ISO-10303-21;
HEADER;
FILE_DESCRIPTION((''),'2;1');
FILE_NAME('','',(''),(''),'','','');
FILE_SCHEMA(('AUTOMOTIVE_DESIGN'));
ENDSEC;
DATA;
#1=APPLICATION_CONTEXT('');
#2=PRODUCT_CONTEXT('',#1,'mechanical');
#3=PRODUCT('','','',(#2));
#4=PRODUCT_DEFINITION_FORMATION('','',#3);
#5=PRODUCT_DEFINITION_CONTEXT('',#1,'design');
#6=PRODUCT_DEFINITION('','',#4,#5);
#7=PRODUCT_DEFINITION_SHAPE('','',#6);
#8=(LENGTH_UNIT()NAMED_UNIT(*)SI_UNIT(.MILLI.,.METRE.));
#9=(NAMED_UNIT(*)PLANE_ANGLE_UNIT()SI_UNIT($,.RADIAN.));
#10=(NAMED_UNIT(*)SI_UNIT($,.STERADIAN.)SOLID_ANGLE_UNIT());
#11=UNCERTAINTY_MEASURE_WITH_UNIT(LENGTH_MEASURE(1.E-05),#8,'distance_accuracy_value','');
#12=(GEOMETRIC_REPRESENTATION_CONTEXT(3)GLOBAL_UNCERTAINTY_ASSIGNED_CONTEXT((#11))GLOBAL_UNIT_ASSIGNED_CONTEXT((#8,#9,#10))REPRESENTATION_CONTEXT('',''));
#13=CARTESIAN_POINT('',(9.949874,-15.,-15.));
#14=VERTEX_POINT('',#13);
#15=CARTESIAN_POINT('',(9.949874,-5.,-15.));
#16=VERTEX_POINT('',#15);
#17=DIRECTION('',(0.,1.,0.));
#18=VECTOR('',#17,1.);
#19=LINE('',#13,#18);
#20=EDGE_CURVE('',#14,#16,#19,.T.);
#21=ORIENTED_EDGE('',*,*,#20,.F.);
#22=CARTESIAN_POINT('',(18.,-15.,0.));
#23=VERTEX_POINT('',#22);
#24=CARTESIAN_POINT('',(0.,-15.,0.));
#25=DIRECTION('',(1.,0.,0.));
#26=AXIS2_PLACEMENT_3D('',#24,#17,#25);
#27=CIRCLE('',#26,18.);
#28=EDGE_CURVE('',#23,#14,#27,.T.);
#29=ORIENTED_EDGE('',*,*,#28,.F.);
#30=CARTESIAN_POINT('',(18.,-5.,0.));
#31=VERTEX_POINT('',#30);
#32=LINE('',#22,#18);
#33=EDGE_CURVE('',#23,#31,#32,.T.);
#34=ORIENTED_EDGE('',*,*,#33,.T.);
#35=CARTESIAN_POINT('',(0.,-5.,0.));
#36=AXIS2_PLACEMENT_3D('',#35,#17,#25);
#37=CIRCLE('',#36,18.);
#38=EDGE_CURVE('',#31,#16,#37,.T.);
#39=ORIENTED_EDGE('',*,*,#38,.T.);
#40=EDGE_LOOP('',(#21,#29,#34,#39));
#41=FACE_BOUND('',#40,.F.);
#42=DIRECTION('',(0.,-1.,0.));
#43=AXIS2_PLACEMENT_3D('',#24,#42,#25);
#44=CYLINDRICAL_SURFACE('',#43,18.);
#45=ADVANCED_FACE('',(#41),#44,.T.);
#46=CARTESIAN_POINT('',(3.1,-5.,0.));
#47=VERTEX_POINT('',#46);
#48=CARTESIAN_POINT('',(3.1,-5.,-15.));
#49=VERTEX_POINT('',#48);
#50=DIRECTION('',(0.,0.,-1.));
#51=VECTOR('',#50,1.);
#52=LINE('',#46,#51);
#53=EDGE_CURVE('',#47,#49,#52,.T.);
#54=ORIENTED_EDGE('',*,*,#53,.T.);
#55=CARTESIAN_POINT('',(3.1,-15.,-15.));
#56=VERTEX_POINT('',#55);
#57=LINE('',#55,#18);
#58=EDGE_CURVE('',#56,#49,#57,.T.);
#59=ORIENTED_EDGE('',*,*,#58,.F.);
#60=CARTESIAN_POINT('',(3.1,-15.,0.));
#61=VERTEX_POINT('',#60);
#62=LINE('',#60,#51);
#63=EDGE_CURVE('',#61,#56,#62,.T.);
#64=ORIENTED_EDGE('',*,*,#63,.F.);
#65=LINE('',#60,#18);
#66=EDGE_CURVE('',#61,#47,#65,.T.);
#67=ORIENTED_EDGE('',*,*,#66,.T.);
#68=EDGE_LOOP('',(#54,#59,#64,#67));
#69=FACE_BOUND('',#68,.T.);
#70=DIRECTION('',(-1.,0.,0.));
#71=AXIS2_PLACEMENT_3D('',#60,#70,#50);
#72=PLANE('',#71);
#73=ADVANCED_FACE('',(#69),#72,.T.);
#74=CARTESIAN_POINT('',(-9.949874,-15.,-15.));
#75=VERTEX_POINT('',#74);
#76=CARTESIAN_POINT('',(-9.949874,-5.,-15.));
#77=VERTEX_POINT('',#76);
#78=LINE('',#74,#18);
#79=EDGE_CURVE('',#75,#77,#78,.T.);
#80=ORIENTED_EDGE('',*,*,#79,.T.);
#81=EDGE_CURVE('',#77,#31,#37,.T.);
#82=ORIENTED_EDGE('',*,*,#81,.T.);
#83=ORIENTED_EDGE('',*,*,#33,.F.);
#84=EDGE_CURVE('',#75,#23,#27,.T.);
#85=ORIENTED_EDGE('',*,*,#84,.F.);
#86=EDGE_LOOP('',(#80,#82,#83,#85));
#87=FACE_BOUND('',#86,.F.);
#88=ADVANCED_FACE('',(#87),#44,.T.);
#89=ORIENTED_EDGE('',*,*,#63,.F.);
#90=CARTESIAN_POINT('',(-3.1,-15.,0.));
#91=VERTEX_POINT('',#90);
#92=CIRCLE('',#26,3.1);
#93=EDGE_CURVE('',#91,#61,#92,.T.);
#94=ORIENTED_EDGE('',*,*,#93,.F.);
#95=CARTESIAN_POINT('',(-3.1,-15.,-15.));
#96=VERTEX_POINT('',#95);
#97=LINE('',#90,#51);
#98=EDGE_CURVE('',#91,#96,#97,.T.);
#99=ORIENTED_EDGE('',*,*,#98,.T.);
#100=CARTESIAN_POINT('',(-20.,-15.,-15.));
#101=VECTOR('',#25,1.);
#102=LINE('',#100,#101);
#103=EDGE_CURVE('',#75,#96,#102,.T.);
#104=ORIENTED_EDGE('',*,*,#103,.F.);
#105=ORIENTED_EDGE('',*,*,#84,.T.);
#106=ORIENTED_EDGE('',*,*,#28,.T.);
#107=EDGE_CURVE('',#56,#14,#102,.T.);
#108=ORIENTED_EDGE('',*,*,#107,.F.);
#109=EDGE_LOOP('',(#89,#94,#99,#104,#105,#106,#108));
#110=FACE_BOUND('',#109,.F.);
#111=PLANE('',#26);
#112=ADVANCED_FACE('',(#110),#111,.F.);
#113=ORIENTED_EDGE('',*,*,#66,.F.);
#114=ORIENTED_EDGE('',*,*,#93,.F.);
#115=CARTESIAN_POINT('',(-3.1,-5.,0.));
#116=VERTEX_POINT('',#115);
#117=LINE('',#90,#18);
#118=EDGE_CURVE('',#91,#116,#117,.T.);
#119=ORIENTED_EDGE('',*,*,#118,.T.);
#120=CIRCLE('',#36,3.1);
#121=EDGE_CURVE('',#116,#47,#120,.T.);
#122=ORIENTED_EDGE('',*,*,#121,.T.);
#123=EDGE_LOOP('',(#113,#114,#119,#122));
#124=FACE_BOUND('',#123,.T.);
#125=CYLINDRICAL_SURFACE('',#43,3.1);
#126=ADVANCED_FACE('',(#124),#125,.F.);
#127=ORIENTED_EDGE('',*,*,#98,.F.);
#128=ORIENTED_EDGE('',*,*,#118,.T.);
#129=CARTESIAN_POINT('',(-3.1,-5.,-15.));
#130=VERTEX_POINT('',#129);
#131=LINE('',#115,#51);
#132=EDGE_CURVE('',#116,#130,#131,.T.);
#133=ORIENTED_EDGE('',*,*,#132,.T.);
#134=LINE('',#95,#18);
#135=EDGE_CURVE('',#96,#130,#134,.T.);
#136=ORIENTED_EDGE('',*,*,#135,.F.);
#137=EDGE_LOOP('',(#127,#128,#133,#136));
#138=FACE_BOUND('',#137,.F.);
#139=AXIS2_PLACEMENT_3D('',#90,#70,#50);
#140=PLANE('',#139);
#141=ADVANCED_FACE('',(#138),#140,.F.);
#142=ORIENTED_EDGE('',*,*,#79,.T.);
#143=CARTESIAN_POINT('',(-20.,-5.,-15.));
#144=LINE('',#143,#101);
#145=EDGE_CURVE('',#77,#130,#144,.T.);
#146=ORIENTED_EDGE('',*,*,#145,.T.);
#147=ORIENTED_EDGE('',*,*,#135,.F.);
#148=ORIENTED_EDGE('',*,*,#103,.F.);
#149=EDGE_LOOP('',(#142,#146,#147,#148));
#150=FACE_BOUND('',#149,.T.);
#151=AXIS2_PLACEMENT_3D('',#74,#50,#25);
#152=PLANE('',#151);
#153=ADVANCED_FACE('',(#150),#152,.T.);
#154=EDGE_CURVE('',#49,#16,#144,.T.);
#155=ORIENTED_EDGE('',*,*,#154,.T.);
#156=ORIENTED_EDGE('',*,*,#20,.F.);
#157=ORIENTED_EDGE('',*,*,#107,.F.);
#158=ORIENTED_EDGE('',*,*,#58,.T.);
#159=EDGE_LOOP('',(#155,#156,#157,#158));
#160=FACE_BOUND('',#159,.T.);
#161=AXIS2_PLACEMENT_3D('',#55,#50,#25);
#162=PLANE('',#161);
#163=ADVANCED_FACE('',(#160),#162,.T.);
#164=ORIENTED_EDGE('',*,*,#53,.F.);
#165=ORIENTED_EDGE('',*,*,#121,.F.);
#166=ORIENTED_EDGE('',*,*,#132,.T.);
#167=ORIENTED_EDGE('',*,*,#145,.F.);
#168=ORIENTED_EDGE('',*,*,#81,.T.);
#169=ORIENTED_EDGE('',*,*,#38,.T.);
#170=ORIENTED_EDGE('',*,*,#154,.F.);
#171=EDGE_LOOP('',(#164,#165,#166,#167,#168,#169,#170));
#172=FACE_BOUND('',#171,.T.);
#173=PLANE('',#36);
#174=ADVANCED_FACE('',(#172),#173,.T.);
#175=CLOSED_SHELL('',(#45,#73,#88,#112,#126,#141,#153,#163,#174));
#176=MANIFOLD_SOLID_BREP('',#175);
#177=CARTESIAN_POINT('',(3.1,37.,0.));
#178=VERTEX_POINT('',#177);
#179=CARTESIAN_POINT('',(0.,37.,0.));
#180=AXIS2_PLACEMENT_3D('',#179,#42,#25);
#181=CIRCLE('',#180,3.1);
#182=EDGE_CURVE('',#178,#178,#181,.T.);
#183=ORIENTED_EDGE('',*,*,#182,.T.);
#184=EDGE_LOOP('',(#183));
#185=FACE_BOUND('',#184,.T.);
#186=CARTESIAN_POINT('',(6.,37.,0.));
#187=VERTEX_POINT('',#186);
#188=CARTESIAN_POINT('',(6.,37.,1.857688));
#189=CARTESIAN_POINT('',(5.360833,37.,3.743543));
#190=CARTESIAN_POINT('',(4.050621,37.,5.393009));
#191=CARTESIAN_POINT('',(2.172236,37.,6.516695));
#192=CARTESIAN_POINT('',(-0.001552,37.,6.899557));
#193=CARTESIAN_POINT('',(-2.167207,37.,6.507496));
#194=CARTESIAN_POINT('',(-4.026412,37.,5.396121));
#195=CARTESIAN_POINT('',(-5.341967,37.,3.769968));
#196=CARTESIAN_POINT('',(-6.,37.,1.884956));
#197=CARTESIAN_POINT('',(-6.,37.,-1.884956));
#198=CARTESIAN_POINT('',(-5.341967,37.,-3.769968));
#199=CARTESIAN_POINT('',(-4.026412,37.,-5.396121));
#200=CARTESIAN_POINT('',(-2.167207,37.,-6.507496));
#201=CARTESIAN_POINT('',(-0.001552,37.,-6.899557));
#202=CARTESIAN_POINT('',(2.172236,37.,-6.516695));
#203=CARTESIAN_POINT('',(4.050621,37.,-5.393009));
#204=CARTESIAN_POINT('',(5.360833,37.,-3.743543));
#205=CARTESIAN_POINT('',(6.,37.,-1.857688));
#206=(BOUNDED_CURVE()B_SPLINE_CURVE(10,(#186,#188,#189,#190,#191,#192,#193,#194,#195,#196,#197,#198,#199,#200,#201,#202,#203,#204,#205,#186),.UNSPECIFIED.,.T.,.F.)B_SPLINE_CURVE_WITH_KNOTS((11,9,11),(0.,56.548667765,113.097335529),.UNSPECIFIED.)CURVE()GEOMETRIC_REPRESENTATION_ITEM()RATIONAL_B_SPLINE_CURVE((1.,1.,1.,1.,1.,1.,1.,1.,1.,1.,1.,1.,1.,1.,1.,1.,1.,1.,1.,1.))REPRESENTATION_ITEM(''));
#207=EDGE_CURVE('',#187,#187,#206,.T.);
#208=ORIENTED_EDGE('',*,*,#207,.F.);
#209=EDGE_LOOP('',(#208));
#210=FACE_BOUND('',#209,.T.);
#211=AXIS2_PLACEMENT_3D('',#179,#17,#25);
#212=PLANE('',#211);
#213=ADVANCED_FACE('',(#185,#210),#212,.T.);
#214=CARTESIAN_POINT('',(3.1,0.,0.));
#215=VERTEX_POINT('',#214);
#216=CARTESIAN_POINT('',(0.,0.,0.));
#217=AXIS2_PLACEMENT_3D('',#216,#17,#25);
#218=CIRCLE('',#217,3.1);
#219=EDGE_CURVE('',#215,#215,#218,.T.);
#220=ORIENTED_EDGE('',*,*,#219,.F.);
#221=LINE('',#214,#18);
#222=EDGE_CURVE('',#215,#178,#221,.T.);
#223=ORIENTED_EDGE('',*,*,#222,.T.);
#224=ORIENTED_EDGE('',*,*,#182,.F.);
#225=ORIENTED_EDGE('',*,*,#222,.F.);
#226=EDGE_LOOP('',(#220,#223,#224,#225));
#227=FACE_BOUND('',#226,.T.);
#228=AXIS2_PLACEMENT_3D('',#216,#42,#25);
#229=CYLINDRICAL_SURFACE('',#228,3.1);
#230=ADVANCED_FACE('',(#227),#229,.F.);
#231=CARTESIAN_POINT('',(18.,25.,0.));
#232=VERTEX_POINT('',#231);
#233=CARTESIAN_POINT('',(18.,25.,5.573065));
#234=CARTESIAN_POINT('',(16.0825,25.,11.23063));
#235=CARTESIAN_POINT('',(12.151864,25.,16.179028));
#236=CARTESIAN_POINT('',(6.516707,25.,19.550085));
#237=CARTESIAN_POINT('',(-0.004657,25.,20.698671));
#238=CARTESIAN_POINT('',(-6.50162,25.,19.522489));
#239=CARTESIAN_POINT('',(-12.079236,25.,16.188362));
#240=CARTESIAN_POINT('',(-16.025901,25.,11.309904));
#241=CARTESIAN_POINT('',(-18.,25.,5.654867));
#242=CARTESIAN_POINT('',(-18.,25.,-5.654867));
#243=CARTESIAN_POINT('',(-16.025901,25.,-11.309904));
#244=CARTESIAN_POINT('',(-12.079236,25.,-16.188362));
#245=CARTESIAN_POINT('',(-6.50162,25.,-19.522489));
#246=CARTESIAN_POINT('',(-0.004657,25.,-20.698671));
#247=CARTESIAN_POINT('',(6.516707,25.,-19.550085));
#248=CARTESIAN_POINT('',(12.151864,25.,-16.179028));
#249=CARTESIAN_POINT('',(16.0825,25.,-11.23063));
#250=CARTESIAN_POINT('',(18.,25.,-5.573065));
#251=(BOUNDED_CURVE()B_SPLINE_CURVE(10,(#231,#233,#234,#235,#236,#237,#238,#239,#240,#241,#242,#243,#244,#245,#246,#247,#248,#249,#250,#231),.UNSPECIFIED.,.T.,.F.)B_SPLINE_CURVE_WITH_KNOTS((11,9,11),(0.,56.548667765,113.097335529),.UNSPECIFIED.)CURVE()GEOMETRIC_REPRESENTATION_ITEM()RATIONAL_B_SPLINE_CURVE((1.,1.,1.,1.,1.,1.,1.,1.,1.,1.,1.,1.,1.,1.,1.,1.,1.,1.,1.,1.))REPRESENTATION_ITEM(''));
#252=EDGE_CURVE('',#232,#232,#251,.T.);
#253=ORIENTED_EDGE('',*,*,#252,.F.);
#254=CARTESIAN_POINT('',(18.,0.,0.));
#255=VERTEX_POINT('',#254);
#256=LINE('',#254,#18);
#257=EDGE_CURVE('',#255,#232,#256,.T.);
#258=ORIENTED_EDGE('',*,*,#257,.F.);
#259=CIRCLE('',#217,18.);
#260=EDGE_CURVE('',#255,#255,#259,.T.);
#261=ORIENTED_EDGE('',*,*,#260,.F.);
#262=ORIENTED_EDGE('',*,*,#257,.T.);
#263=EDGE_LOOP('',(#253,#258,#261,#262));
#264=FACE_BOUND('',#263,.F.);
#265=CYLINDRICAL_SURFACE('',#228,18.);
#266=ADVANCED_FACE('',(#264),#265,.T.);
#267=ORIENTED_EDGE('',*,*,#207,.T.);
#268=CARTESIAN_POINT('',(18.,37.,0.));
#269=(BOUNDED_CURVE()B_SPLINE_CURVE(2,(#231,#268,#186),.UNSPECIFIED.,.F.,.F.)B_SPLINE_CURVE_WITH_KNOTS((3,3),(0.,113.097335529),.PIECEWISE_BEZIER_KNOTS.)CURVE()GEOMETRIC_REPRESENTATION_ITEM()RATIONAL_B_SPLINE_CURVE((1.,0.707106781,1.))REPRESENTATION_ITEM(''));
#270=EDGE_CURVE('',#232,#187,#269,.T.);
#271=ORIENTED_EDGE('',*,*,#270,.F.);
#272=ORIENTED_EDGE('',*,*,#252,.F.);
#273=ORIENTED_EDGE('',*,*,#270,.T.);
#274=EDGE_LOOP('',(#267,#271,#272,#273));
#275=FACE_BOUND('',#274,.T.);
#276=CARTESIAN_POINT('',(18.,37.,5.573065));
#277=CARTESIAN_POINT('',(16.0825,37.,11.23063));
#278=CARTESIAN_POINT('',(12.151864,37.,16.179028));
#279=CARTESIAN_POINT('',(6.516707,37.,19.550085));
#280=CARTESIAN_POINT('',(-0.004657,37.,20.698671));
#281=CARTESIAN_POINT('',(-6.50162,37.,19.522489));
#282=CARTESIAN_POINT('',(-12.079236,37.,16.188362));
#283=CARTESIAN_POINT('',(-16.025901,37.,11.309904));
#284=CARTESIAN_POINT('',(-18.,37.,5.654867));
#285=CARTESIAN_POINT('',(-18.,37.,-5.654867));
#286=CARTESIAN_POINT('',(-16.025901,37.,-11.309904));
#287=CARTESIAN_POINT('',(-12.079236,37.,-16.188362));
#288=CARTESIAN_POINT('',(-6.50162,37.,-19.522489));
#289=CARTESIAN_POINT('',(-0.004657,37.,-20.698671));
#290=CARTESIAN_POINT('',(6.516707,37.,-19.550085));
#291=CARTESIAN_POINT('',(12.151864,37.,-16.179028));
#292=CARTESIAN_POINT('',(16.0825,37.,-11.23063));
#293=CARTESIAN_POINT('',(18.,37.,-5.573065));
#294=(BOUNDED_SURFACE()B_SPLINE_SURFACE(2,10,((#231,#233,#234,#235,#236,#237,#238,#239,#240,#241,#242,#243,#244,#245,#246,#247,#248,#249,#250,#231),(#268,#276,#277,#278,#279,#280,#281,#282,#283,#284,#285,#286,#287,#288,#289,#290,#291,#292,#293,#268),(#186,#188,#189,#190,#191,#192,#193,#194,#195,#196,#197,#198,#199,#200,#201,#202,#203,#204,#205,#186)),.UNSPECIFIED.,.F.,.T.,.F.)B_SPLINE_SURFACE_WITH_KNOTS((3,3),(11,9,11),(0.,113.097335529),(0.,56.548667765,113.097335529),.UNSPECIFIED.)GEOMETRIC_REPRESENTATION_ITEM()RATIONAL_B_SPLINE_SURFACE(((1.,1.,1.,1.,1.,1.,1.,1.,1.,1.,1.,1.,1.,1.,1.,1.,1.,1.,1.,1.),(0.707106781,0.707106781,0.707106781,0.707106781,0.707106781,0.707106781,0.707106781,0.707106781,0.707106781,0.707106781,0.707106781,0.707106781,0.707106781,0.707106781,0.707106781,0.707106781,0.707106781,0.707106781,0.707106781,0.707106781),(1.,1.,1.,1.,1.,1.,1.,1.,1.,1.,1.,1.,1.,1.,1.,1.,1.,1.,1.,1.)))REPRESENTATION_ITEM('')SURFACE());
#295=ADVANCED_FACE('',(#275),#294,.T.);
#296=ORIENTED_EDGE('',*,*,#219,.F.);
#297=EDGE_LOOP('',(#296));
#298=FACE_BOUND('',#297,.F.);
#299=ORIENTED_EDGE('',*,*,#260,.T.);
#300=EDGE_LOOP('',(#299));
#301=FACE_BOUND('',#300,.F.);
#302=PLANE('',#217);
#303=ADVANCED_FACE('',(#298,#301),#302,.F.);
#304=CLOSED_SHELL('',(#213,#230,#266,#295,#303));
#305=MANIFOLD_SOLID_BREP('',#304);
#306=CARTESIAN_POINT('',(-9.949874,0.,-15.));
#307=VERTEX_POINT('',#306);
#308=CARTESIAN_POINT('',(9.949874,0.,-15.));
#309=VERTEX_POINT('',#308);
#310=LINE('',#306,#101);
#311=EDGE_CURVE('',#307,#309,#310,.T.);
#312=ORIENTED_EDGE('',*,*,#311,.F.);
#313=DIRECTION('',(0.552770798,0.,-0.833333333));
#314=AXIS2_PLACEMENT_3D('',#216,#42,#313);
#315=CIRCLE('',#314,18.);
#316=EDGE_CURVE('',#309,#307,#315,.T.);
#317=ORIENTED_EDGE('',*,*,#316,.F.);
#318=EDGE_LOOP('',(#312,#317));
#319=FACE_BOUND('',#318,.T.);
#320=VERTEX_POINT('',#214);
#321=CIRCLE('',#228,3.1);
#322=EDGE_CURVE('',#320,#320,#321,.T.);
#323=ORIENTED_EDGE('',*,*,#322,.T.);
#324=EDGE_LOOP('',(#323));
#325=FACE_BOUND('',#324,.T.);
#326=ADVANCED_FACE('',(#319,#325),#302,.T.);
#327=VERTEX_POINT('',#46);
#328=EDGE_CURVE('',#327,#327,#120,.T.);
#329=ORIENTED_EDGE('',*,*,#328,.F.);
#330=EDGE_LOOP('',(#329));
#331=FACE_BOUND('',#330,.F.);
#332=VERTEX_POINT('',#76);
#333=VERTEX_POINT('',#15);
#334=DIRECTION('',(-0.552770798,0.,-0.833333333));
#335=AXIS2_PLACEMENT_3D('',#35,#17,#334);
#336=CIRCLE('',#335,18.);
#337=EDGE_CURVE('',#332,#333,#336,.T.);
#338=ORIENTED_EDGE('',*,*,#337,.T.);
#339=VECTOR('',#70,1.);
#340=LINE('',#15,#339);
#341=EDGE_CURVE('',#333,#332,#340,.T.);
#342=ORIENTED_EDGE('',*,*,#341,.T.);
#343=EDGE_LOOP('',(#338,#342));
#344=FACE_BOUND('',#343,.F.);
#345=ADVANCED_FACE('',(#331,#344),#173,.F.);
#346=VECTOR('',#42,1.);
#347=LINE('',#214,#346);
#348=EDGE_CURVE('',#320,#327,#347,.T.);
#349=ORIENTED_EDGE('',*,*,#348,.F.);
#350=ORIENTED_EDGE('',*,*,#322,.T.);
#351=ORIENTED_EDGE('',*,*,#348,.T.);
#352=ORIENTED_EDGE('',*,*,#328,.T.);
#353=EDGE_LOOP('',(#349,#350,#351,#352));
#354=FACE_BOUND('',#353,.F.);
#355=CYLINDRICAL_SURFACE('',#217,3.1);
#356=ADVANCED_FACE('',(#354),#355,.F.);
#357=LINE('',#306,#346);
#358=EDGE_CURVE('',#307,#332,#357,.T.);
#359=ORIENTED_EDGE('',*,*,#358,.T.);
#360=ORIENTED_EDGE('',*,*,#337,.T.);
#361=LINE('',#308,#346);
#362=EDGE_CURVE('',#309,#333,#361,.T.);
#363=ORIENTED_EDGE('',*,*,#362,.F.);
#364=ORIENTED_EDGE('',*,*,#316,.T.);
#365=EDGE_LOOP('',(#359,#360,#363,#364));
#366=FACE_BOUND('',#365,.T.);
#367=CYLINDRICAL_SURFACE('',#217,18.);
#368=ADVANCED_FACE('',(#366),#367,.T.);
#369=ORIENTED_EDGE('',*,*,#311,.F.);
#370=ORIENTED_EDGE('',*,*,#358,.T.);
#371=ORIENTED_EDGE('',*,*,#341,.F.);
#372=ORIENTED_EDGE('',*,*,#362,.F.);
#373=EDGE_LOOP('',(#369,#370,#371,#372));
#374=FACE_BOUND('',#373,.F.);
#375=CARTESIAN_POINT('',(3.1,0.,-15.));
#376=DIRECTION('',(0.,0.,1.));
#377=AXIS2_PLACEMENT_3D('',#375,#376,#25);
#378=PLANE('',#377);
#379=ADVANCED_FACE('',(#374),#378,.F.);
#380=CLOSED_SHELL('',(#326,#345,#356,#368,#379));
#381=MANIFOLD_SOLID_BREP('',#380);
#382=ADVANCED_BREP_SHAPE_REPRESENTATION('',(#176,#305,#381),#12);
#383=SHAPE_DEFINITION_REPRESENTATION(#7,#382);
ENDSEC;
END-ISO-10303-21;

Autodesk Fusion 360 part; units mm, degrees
sketch "Sketch1" plane through (0, 0, 0) normal (0, 1, 0) x (1, 0, 0)
  circle A0 centre (0, 0) radius 3.1
  circle A1 centre (0, 0) radius 18
  line L0 (-20, 0) -> (-20, 15)
  line L1 (-20, 15) -> (20, 15)
  line L2 (-3.1, 0) -> (-3.1, 26.7425)
  line L3 (3.1, 0) -> (3.1, 30)
  dimension "d1" = 6.2
  dimension "d2" = 36
  dimension "d3" = 15
extrude "Extrude1" add sketch "Sketch1" along normal blind 29 contours A0 A1 L1 L2 L3 | A0 L1 L2 L3 | A1 L1 L3 | A1 L1 L2 L3 | A1 L1 L2 makes body 1
extrude "Extrude2" add sketch "Sketch1" against normal blind 5 separate body contours A0 A1 L1 L2 L3 | A0 L1 L2 L3 makes body 2
ref_plane "WorkPlane1" through (0, -15, 0) normal (0, 1, 0) x (1, 0, 0)
sketch "Sketch2" plane through (0, -15, 0) normal (0, 1, 0) x (1, 0, 0)
  circle A0 centre (0, 0) radius 18
  line L0 (-20, 15) -> (20, 15)
  line L1 (3.1, 0) -> (3.1, 30)
  line L2 (-3.1, 0) -> (-3.1, 26.7425)
  circle A1 centre (0, 0) radius 3.1
extrude "Extrude3" add sketch "Sketch2" along normal blind 10 separate body contours A0 L0 L1 L2 A1 makes body 3
extrude "Extrude4" add 1 faces at (12.9663, 29, -0.8943) along direction (0, 1, 0) blind 8 on bodies 1 bodies 1
fillet "Fillet1" radius 12 1 edges at (-16.7819, 37, 6.5091) on bodies 1
